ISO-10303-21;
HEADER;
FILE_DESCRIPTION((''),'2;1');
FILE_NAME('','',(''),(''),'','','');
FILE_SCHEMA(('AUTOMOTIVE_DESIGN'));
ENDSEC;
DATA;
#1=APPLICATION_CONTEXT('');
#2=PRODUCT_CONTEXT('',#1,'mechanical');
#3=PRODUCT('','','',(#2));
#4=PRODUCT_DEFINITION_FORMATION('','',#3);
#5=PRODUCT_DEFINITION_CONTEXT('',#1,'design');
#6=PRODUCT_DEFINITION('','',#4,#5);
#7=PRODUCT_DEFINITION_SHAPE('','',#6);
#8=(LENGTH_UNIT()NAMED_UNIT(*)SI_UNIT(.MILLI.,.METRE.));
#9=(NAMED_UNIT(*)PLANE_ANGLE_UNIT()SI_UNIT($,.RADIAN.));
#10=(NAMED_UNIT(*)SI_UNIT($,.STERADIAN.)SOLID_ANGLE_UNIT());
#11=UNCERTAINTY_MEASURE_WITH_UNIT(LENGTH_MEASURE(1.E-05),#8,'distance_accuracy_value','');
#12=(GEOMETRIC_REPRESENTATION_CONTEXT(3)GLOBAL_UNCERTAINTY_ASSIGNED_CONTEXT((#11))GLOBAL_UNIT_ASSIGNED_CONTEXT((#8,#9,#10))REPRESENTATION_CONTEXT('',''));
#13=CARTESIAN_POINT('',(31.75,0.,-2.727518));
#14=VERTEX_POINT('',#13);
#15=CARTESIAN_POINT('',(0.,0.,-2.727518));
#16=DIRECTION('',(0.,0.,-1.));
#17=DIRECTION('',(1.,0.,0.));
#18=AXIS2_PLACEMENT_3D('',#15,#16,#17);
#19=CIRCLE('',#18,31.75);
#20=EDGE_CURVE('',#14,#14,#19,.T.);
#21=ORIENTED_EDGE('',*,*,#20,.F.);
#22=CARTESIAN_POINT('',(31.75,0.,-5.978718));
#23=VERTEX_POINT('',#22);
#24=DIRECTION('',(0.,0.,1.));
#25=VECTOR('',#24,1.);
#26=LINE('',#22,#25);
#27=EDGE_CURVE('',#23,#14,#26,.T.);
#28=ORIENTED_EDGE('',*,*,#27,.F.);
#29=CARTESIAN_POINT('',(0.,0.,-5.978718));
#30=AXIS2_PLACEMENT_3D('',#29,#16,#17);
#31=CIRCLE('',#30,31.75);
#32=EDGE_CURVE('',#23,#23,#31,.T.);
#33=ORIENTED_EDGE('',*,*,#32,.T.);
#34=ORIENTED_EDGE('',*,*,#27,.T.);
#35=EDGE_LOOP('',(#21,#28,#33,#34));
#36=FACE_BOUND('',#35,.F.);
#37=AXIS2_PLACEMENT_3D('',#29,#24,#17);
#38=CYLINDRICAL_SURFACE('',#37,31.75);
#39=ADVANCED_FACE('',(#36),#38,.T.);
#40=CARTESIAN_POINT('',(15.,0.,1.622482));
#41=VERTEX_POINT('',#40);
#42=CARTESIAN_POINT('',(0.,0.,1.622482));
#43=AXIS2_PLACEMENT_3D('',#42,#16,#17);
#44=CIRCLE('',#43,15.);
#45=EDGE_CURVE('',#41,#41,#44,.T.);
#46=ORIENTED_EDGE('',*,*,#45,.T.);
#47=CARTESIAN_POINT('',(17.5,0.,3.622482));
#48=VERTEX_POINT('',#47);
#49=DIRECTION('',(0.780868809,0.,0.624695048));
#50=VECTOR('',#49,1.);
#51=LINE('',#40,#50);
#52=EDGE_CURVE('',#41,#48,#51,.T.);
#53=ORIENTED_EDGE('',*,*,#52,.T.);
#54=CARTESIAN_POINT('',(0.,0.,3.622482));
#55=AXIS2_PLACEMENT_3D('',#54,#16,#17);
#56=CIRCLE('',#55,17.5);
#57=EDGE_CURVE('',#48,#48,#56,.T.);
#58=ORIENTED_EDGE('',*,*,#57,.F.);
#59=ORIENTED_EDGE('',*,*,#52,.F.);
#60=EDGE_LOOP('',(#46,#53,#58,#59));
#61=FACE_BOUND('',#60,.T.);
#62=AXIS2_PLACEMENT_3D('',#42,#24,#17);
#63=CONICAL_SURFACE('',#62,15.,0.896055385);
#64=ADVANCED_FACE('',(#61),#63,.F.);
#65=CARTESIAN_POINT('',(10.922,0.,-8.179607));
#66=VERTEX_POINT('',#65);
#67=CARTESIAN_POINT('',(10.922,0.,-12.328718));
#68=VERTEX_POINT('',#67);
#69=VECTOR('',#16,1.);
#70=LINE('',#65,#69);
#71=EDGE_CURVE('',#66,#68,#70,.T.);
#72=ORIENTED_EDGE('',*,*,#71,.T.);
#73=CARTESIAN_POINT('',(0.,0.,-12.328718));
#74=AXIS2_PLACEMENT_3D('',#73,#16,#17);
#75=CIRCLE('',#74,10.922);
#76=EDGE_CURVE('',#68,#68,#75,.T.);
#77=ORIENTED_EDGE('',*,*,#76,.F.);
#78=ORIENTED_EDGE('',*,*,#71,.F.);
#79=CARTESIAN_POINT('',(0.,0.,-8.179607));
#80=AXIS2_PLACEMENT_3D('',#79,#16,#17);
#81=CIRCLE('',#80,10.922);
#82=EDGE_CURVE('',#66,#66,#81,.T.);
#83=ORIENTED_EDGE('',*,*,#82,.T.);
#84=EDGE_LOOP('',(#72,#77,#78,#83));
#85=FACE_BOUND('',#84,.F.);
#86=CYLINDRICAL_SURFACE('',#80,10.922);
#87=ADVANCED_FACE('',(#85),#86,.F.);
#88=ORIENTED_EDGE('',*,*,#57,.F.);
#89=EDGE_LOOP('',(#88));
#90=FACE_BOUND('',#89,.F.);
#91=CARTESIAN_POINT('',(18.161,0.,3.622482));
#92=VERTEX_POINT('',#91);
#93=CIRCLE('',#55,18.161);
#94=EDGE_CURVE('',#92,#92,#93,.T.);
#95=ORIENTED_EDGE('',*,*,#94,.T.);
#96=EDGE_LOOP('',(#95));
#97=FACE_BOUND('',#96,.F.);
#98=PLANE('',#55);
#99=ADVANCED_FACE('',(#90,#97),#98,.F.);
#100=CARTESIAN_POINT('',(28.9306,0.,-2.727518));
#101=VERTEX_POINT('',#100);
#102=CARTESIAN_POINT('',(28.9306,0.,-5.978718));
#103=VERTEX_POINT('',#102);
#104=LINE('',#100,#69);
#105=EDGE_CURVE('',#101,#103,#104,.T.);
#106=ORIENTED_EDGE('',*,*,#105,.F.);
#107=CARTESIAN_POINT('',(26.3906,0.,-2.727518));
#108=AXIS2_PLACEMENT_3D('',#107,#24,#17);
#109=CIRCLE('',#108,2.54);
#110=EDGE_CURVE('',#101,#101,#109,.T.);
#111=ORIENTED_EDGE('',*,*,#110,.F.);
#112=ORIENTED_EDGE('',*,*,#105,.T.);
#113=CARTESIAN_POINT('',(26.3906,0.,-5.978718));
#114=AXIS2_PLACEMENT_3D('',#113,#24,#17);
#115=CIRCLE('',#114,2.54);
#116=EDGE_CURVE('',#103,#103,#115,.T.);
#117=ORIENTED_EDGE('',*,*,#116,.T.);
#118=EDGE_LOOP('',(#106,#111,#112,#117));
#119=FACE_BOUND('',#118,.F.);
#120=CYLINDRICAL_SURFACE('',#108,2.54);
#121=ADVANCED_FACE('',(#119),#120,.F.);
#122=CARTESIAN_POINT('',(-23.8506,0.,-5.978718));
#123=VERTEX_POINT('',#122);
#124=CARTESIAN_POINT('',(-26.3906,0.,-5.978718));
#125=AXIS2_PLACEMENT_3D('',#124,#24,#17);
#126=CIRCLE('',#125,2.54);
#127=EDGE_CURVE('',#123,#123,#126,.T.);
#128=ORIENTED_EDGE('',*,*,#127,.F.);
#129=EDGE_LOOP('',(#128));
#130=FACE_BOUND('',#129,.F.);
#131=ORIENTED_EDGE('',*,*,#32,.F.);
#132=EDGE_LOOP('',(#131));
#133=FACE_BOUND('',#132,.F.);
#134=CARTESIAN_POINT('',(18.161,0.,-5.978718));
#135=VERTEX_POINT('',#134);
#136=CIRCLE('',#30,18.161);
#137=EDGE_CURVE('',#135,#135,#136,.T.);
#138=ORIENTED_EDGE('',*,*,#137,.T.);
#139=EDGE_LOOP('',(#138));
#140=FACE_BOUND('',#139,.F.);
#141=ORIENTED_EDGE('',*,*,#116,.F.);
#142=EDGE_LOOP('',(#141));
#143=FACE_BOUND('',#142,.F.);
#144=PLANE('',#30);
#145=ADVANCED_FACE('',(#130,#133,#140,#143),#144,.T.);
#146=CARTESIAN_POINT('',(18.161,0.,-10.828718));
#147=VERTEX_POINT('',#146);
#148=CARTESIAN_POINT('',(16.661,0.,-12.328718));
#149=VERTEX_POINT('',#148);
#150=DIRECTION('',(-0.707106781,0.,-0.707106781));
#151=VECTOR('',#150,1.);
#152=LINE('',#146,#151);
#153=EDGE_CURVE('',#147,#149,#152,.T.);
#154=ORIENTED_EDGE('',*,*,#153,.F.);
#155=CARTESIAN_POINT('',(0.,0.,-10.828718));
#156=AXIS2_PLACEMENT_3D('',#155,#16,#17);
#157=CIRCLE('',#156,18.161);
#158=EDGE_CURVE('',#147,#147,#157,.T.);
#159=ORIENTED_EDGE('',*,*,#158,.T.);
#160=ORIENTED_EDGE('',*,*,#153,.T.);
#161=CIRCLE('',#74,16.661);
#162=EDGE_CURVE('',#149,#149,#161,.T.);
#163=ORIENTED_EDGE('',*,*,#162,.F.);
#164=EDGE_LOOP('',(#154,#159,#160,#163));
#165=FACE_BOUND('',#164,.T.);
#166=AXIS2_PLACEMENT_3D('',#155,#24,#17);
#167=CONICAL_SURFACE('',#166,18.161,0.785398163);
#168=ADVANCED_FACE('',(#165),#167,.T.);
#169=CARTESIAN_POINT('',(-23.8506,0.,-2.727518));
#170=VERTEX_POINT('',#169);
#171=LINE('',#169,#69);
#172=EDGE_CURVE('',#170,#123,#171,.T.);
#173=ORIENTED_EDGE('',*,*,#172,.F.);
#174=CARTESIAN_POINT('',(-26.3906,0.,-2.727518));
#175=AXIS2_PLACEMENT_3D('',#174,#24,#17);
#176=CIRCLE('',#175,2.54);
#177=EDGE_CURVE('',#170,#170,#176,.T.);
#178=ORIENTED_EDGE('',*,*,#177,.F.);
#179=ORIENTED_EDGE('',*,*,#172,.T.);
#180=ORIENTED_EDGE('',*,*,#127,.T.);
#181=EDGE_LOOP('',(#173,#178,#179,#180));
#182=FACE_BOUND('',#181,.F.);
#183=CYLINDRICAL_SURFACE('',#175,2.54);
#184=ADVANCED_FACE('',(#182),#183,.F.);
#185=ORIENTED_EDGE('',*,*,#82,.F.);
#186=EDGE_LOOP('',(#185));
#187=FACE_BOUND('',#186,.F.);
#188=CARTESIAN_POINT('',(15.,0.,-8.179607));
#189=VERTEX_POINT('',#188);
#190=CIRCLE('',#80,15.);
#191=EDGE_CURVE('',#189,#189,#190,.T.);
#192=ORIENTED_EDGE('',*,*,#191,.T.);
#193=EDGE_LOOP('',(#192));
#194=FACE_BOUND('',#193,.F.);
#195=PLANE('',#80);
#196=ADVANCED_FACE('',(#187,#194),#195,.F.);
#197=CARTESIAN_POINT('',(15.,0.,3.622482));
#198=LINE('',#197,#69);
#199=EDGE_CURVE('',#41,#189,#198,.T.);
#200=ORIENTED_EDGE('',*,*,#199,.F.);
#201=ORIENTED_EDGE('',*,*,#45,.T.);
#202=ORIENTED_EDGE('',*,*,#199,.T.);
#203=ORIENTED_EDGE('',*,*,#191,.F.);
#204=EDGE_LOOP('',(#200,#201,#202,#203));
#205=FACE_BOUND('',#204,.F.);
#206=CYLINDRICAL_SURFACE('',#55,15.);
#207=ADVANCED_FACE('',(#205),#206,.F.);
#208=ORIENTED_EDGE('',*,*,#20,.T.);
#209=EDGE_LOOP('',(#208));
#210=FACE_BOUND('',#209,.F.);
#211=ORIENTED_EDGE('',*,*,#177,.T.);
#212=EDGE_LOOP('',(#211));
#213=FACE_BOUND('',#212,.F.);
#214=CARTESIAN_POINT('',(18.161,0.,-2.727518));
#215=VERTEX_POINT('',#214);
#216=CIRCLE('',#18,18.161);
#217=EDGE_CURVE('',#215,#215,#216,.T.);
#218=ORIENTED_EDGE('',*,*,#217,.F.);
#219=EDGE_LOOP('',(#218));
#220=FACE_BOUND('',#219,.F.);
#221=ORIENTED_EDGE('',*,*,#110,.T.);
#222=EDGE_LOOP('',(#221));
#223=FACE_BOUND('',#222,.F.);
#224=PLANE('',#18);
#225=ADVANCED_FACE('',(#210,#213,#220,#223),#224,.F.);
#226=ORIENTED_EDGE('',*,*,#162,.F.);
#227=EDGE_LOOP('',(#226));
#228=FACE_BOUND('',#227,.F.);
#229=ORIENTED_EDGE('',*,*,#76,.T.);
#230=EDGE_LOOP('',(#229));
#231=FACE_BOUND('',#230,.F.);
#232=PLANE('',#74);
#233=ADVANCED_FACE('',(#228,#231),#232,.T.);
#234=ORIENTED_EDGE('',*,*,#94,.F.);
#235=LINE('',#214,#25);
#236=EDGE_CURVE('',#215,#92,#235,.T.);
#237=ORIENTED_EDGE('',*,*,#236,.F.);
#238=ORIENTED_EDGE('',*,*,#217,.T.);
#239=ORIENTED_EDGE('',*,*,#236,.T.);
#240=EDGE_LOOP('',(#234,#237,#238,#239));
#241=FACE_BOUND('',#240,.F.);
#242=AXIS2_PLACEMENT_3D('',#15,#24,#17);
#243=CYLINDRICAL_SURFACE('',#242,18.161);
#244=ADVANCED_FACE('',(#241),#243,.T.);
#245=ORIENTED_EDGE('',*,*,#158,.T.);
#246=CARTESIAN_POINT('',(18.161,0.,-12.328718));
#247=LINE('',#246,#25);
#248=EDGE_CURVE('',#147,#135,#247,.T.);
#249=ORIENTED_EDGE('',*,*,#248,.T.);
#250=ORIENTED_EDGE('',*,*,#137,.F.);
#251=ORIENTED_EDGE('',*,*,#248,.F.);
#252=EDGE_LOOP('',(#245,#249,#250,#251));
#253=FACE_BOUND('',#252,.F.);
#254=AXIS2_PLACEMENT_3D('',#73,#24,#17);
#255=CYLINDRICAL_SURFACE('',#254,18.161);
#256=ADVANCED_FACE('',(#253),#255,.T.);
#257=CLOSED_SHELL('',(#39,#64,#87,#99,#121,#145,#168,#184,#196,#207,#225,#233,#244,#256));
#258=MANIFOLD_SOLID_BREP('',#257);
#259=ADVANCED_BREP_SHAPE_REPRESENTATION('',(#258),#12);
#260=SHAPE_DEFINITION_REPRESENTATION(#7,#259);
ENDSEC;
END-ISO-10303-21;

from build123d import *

# Parameters (mm, degrees)
F2_R     = 2.54
F3_DEPTH = 9.6022
F4_SIZE  = 1.5
F5_SIZE2 = 2.5
F5_SIZE  = 2


with BuildPart() as f1:
    # F0 (on Front) → F1 (revolve)
    with BuildSketch(Plane.XZ):
        Polygon((31.75, -5.978718), (31.75, -2.727518), (18.161, -2.727518), (18.161, 3.622482), (15, 3.622482), (15, -8.179607), (10.922, -8.179607), (10.922, -12.328718), (18.161, -12.328718), (18.161, -5.978718), align=None)
    revolve(axis=Axis((0, 0, -5.153181), (0, 0, -1)))

    # F2 (on face) → F3 (cut, through all)
    with BuildSketch(Plane.XY.offset(-2.727518)):
        with Locations((26.3906, 0)):
            Circle(F2_R)
        with Locations((-26.3906, 0)):
            Circle(F2_R)
    extrude(amount=-F3_DEPTH, mode=Mode.SUBTRACT)

    # F4
    f4_edges = [f1.edges().sort_by_distance(p)[0] for p in [
        (-18.161, 0, -12.328718),
    ]]
    chamfer(f4_edges, length=F4_SIZE)

    # F5
    f5_edges = [f1.edges().sort_by_distance(p)[0] for p in [
        (-15, 0, 3.622482),
    ]]
    chamfer(f5_edges, length=F5_SIZE, length2=F5_SIZE2)


solid = f1.part
